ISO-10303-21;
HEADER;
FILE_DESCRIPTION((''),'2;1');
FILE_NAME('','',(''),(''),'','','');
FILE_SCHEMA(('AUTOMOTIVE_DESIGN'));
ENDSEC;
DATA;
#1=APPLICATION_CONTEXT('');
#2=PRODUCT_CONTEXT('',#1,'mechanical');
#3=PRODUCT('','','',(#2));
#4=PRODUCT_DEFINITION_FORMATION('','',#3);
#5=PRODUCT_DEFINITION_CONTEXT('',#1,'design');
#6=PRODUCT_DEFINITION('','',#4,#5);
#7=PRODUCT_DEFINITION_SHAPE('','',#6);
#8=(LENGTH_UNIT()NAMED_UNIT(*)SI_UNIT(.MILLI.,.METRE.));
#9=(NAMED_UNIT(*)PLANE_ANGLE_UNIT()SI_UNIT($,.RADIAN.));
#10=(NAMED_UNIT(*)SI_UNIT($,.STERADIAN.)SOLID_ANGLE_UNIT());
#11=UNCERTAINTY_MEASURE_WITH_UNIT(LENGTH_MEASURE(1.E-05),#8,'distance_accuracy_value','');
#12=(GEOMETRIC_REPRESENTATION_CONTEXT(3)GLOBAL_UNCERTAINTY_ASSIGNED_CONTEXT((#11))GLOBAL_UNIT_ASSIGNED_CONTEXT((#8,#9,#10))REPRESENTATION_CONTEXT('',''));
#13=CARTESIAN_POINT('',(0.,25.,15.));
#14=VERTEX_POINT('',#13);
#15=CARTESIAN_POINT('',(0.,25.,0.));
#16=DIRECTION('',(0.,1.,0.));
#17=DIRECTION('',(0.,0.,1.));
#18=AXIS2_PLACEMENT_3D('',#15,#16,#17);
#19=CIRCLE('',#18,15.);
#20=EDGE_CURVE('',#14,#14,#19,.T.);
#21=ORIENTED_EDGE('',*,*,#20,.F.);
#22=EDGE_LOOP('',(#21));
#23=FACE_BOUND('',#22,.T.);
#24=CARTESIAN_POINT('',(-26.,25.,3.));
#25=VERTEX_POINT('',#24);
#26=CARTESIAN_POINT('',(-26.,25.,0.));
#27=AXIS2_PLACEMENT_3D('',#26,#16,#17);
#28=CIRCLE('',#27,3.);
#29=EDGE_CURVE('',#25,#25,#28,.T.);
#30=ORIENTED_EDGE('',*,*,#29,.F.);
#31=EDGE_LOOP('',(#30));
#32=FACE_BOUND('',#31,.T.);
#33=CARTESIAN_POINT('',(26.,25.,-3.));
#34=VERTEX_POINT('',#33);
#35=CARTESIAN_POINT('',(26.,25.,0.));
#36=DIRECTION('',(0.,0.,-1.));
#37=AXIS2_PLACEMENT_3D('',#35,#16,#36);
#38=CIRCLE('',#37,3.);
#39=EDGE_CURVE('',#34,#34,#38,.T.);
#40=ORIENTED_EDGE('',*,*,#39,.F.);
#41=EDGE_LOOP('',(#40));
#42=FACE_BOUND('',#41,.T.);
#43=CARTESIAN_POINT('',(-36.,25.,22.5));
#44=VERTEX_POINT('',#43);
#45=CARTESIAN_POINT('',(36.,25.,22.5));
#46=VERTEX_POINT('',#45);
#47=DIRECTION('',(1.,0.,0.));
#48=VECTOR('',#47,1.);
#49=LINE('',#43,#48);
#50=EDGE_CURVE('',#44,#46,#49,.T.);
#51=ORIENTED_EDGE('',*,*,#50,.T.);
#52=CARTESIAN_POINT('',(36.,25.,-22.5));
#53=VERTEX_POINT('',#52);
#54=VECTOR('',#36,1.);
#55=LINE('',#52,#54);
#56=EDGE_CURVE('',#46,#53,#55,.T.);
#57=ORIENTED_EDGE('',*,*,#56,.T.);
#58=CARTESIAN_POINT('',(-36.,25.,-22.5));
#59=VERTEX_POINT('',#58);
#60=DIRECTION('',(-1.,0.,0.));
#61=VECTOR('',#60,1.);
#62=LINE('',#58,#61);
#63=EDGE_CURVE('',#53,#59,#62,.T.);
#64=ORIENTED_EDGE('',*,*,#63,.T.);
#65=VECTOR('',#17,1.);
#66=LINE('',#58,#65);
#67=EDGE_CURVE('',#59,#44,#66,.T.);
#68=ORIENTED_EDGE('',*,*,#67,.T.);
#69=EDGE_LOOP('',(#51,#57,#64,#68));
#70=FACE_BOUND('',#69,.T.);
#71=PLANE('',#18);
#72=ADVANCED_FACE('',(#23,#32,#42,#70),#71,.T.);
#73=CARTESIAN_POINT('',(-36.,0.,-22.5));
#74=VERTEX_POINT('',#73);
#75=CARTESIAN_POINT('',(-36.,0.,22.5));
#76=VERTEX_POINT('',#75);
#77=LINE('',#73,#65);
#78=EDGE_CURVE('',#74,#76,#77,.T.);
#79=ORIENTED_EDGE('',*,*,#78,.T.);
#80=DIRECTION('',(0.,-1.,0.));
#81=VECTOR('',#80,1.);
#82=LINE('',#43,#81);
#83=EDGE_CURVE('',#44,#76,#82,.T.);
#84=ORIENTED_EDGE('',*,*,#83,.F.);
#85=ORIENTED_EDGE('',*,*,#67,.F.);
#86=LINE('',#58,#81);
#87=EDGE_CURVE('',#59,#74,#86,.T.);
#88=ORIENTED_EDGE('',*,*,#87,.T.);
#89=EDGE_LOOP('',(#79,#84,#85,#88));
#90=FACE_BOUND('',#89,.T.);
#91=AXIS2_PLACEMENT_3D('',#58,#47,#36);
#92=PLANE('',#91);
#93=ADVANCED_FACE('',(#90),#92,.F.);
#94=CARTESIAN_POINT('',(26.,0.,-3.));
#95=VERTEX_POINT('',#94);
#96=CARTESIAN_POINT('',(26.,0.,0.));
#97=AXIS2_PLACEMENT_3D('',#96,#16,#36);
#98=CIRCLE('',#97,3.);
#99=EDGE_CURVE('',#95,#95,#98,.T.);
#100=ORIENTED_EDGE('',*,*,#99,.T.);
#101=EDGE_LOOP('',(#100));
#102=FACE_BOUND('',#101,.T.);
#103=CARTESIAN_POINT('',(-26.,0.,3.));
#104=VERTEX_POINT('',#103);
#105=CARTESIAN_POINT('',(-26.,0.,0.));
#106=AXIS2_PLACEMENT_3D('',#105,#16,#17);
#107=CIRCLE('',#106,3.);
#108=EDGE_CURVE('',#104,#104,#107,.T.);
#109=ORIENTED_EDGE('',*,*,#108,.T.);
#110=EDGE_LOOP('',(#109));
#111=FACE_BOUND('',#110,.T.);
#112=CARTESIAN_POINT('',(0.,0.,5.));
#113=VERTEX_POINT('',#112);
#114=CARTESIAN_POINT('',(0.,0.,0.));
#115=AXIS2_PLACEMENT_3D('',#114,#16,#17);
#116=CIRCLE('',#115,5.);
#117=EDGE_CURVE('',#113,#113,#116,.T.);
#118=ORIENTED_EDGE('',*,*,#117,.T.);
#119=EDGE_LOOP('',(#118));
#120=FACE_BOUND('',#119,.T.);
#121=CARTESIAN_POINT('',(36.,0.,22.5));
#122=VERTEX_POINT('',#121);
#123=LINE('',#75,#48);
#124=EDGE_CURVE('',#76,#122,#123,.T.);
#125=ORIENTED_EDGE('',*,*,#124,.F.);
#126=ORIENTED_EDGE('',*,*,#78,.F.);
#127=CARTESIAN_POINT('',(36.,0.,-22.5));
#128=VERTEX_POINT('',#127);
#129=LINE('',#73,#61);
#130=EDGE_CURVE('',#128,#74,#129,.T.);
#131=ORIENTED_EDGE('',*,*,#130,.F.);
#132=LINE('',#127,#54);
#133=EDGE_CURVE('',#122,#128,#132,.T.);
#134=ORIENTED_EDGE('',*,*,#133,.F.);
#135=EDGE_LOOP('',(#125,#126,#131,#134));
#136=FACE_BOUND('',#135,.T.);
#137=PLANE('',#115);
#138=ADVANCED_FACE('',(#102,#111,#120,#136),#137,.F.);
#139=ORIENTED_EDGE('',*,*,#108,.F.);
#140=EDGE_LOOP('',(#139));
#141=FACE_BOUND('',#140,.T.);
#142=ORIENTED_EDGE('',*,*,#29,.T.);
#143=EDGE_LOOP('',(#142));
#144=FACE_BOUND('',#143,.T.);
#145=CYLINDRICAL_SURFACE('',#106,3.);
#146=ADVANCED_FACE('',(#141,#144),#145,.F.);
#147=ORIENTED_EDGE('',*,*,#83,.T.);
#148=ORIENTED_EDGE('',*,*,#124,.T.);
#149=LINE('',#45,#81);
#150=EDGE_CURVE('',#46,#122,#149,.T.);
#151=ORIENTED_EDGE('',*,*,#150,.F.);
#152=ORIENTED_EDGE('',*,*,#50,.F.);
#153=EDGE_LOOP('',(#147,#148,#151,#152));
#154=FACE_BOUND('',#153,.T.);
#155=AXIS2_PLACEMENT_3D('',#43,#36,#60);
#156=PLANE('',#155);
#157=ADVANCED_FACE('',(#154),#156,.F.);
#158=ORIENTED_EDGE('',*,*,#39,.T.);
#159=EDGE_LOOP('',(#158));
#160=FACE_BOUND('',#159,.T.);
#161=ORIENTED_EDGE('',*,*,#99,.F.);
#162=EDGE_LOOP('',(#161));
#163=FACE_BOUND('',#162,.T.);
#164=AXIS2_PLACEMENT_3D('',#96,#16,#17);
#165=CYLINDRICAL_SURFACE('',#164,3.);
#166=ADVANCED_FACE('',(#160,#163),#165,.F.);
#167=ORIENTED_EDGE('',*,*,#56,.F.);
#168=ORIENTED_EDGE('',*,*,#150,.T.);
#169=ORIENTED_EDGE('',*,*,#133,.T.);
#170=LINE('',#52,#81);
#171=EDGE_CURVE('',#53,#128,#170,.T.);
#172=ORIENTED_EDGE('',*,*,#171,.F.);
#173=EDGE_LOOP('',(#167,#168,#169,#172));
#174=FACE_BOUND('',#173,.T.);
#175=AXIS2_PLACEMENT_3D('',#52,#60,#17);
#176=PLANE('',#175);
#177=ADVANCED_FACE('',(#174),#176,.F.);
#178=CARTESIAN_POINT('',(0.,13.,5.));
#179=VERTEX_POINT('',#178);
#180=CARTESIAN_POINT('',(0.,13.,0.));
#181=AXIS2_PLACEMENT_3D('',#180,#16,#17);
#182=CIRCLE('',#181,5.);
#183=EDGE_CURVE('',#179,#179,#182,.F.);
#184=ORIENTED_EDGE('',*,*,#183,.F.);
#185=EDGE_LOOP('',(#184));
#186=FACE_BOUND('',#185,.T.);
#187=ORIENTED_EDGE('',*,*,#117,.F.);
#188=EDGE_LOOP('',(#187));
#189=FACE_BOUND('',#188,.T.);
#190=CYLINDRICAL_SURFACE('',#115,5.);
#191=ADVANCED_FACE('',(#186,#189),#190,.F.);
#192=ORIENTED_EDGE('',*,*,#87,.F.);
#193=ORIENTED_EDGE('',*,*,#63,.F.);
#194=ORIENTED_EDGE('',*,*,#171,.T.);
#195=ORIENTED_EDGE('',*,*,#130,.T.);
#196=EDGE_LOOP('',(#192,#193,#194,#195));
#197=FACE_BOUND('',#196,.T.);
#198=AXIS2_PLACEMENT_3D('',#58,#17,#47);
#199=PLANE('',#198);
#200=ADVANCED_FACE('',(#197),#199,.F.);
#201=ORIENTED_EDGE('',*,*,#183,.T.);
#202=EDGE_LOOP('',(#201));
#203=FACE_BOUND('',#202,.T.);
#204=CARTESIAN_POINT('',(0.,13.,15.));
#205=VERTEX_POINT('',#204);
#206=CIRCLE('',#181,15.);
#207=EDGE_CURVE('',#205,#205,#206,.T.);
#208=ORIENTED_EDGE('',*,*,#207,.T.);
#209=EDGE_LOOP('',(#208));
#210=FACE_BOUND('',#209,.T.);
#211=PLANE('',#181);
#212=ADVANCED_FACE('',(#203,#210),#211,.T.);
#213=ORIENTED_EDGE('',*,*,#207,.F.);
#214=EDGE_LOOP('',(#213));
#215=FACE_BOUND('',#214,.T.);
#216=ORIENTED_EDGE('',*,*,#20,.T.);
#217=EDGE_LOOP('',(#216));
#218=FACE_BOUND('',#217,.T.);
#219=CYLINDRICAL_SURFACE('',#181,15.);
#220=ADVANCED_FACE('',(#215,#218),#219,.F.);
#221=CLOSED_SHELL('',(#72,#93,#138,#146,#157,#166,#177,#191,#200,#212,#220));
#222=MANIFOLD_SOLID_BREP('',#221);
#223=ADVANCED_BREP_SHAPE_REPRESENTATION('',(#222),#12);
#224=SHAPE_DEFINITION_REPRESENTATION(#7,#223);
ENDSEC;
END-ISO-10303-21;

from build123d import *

# Parameters (mm, degrees)
SKETCH1_W           = 72
SKETCH1_H           = 45
BOSS_EXTRUDE1_DEPTH = 25
SKETCH2_R           = 5
CUT_EXTRUDE1_DEPTH  = 50.267129001
SKETCH3_R           = 3
CUT_EXTRUDE2_DEPTH  = 50.267129001
SKETCH4_R           = 15
CUT_EXTRUDE3_DEPTH  = 12


with BuildPart() as part:
    # Sketch1 → Boss-Extrude1 (new body)
    with BuildSketch(Plane(origin=(0, 0, 0), x_dir=(1, 0, 0), z_dir=(0, 1, 0))):
        Rectangle(SKETCH1_W, SKETCH1_H)
    extrude(amount=BOSS_EXTRUDE1_DEPTH)

    # Sketch2 → Cut-Extrude1 (cut, through all)
    with BuildSketch(Plane(origin=(0, 25, 0), x_dir=(1, 0, 0), z_dir=(0, 1, 0))):
        with Locations(Location((0, 0, 0), (0, 0, 270))):
            Circle(SKETCH2_R)
    extrude(amount=-CUT_EXTRUDE1_DEPTH, mode=Mode.SUBTRACT)

    # Sketch3 → Cut-Extrude2 (cut, through all)
    with BuildSketch(Plane(origin=(0, 25, 0), x_dir=(1, 0, 0), z_dir=(0, 1, 0))):
        with Locations(Location((-26, 0, 0), (0, 0, 270))):
            Circle(SKETCH3_R)
        with Locations(Location((26, 0, 0), (0, 0, 90))):
            Circle(SKETCH3_R)
    extrude(amount=-CUT_EXTRUDE2_DEPTH, mode=Mode.SUBTRACT)

    # Sketch4 → Cut-Extrude3 (cut)
    with BuildSketch(Plane(origin=(0, 25, 0), x_dir=(1, 0, 0), z_dir=(0, 1, 0))):
        with Locations(Location((0, 0, 0), (0, 0, 270))):
            Circle(SKETCH4_R)
    extrude(amount=-CUT_EXTRUDE3_DEPTH, mode=Mode.SUBTRACT)


solid = part.part
